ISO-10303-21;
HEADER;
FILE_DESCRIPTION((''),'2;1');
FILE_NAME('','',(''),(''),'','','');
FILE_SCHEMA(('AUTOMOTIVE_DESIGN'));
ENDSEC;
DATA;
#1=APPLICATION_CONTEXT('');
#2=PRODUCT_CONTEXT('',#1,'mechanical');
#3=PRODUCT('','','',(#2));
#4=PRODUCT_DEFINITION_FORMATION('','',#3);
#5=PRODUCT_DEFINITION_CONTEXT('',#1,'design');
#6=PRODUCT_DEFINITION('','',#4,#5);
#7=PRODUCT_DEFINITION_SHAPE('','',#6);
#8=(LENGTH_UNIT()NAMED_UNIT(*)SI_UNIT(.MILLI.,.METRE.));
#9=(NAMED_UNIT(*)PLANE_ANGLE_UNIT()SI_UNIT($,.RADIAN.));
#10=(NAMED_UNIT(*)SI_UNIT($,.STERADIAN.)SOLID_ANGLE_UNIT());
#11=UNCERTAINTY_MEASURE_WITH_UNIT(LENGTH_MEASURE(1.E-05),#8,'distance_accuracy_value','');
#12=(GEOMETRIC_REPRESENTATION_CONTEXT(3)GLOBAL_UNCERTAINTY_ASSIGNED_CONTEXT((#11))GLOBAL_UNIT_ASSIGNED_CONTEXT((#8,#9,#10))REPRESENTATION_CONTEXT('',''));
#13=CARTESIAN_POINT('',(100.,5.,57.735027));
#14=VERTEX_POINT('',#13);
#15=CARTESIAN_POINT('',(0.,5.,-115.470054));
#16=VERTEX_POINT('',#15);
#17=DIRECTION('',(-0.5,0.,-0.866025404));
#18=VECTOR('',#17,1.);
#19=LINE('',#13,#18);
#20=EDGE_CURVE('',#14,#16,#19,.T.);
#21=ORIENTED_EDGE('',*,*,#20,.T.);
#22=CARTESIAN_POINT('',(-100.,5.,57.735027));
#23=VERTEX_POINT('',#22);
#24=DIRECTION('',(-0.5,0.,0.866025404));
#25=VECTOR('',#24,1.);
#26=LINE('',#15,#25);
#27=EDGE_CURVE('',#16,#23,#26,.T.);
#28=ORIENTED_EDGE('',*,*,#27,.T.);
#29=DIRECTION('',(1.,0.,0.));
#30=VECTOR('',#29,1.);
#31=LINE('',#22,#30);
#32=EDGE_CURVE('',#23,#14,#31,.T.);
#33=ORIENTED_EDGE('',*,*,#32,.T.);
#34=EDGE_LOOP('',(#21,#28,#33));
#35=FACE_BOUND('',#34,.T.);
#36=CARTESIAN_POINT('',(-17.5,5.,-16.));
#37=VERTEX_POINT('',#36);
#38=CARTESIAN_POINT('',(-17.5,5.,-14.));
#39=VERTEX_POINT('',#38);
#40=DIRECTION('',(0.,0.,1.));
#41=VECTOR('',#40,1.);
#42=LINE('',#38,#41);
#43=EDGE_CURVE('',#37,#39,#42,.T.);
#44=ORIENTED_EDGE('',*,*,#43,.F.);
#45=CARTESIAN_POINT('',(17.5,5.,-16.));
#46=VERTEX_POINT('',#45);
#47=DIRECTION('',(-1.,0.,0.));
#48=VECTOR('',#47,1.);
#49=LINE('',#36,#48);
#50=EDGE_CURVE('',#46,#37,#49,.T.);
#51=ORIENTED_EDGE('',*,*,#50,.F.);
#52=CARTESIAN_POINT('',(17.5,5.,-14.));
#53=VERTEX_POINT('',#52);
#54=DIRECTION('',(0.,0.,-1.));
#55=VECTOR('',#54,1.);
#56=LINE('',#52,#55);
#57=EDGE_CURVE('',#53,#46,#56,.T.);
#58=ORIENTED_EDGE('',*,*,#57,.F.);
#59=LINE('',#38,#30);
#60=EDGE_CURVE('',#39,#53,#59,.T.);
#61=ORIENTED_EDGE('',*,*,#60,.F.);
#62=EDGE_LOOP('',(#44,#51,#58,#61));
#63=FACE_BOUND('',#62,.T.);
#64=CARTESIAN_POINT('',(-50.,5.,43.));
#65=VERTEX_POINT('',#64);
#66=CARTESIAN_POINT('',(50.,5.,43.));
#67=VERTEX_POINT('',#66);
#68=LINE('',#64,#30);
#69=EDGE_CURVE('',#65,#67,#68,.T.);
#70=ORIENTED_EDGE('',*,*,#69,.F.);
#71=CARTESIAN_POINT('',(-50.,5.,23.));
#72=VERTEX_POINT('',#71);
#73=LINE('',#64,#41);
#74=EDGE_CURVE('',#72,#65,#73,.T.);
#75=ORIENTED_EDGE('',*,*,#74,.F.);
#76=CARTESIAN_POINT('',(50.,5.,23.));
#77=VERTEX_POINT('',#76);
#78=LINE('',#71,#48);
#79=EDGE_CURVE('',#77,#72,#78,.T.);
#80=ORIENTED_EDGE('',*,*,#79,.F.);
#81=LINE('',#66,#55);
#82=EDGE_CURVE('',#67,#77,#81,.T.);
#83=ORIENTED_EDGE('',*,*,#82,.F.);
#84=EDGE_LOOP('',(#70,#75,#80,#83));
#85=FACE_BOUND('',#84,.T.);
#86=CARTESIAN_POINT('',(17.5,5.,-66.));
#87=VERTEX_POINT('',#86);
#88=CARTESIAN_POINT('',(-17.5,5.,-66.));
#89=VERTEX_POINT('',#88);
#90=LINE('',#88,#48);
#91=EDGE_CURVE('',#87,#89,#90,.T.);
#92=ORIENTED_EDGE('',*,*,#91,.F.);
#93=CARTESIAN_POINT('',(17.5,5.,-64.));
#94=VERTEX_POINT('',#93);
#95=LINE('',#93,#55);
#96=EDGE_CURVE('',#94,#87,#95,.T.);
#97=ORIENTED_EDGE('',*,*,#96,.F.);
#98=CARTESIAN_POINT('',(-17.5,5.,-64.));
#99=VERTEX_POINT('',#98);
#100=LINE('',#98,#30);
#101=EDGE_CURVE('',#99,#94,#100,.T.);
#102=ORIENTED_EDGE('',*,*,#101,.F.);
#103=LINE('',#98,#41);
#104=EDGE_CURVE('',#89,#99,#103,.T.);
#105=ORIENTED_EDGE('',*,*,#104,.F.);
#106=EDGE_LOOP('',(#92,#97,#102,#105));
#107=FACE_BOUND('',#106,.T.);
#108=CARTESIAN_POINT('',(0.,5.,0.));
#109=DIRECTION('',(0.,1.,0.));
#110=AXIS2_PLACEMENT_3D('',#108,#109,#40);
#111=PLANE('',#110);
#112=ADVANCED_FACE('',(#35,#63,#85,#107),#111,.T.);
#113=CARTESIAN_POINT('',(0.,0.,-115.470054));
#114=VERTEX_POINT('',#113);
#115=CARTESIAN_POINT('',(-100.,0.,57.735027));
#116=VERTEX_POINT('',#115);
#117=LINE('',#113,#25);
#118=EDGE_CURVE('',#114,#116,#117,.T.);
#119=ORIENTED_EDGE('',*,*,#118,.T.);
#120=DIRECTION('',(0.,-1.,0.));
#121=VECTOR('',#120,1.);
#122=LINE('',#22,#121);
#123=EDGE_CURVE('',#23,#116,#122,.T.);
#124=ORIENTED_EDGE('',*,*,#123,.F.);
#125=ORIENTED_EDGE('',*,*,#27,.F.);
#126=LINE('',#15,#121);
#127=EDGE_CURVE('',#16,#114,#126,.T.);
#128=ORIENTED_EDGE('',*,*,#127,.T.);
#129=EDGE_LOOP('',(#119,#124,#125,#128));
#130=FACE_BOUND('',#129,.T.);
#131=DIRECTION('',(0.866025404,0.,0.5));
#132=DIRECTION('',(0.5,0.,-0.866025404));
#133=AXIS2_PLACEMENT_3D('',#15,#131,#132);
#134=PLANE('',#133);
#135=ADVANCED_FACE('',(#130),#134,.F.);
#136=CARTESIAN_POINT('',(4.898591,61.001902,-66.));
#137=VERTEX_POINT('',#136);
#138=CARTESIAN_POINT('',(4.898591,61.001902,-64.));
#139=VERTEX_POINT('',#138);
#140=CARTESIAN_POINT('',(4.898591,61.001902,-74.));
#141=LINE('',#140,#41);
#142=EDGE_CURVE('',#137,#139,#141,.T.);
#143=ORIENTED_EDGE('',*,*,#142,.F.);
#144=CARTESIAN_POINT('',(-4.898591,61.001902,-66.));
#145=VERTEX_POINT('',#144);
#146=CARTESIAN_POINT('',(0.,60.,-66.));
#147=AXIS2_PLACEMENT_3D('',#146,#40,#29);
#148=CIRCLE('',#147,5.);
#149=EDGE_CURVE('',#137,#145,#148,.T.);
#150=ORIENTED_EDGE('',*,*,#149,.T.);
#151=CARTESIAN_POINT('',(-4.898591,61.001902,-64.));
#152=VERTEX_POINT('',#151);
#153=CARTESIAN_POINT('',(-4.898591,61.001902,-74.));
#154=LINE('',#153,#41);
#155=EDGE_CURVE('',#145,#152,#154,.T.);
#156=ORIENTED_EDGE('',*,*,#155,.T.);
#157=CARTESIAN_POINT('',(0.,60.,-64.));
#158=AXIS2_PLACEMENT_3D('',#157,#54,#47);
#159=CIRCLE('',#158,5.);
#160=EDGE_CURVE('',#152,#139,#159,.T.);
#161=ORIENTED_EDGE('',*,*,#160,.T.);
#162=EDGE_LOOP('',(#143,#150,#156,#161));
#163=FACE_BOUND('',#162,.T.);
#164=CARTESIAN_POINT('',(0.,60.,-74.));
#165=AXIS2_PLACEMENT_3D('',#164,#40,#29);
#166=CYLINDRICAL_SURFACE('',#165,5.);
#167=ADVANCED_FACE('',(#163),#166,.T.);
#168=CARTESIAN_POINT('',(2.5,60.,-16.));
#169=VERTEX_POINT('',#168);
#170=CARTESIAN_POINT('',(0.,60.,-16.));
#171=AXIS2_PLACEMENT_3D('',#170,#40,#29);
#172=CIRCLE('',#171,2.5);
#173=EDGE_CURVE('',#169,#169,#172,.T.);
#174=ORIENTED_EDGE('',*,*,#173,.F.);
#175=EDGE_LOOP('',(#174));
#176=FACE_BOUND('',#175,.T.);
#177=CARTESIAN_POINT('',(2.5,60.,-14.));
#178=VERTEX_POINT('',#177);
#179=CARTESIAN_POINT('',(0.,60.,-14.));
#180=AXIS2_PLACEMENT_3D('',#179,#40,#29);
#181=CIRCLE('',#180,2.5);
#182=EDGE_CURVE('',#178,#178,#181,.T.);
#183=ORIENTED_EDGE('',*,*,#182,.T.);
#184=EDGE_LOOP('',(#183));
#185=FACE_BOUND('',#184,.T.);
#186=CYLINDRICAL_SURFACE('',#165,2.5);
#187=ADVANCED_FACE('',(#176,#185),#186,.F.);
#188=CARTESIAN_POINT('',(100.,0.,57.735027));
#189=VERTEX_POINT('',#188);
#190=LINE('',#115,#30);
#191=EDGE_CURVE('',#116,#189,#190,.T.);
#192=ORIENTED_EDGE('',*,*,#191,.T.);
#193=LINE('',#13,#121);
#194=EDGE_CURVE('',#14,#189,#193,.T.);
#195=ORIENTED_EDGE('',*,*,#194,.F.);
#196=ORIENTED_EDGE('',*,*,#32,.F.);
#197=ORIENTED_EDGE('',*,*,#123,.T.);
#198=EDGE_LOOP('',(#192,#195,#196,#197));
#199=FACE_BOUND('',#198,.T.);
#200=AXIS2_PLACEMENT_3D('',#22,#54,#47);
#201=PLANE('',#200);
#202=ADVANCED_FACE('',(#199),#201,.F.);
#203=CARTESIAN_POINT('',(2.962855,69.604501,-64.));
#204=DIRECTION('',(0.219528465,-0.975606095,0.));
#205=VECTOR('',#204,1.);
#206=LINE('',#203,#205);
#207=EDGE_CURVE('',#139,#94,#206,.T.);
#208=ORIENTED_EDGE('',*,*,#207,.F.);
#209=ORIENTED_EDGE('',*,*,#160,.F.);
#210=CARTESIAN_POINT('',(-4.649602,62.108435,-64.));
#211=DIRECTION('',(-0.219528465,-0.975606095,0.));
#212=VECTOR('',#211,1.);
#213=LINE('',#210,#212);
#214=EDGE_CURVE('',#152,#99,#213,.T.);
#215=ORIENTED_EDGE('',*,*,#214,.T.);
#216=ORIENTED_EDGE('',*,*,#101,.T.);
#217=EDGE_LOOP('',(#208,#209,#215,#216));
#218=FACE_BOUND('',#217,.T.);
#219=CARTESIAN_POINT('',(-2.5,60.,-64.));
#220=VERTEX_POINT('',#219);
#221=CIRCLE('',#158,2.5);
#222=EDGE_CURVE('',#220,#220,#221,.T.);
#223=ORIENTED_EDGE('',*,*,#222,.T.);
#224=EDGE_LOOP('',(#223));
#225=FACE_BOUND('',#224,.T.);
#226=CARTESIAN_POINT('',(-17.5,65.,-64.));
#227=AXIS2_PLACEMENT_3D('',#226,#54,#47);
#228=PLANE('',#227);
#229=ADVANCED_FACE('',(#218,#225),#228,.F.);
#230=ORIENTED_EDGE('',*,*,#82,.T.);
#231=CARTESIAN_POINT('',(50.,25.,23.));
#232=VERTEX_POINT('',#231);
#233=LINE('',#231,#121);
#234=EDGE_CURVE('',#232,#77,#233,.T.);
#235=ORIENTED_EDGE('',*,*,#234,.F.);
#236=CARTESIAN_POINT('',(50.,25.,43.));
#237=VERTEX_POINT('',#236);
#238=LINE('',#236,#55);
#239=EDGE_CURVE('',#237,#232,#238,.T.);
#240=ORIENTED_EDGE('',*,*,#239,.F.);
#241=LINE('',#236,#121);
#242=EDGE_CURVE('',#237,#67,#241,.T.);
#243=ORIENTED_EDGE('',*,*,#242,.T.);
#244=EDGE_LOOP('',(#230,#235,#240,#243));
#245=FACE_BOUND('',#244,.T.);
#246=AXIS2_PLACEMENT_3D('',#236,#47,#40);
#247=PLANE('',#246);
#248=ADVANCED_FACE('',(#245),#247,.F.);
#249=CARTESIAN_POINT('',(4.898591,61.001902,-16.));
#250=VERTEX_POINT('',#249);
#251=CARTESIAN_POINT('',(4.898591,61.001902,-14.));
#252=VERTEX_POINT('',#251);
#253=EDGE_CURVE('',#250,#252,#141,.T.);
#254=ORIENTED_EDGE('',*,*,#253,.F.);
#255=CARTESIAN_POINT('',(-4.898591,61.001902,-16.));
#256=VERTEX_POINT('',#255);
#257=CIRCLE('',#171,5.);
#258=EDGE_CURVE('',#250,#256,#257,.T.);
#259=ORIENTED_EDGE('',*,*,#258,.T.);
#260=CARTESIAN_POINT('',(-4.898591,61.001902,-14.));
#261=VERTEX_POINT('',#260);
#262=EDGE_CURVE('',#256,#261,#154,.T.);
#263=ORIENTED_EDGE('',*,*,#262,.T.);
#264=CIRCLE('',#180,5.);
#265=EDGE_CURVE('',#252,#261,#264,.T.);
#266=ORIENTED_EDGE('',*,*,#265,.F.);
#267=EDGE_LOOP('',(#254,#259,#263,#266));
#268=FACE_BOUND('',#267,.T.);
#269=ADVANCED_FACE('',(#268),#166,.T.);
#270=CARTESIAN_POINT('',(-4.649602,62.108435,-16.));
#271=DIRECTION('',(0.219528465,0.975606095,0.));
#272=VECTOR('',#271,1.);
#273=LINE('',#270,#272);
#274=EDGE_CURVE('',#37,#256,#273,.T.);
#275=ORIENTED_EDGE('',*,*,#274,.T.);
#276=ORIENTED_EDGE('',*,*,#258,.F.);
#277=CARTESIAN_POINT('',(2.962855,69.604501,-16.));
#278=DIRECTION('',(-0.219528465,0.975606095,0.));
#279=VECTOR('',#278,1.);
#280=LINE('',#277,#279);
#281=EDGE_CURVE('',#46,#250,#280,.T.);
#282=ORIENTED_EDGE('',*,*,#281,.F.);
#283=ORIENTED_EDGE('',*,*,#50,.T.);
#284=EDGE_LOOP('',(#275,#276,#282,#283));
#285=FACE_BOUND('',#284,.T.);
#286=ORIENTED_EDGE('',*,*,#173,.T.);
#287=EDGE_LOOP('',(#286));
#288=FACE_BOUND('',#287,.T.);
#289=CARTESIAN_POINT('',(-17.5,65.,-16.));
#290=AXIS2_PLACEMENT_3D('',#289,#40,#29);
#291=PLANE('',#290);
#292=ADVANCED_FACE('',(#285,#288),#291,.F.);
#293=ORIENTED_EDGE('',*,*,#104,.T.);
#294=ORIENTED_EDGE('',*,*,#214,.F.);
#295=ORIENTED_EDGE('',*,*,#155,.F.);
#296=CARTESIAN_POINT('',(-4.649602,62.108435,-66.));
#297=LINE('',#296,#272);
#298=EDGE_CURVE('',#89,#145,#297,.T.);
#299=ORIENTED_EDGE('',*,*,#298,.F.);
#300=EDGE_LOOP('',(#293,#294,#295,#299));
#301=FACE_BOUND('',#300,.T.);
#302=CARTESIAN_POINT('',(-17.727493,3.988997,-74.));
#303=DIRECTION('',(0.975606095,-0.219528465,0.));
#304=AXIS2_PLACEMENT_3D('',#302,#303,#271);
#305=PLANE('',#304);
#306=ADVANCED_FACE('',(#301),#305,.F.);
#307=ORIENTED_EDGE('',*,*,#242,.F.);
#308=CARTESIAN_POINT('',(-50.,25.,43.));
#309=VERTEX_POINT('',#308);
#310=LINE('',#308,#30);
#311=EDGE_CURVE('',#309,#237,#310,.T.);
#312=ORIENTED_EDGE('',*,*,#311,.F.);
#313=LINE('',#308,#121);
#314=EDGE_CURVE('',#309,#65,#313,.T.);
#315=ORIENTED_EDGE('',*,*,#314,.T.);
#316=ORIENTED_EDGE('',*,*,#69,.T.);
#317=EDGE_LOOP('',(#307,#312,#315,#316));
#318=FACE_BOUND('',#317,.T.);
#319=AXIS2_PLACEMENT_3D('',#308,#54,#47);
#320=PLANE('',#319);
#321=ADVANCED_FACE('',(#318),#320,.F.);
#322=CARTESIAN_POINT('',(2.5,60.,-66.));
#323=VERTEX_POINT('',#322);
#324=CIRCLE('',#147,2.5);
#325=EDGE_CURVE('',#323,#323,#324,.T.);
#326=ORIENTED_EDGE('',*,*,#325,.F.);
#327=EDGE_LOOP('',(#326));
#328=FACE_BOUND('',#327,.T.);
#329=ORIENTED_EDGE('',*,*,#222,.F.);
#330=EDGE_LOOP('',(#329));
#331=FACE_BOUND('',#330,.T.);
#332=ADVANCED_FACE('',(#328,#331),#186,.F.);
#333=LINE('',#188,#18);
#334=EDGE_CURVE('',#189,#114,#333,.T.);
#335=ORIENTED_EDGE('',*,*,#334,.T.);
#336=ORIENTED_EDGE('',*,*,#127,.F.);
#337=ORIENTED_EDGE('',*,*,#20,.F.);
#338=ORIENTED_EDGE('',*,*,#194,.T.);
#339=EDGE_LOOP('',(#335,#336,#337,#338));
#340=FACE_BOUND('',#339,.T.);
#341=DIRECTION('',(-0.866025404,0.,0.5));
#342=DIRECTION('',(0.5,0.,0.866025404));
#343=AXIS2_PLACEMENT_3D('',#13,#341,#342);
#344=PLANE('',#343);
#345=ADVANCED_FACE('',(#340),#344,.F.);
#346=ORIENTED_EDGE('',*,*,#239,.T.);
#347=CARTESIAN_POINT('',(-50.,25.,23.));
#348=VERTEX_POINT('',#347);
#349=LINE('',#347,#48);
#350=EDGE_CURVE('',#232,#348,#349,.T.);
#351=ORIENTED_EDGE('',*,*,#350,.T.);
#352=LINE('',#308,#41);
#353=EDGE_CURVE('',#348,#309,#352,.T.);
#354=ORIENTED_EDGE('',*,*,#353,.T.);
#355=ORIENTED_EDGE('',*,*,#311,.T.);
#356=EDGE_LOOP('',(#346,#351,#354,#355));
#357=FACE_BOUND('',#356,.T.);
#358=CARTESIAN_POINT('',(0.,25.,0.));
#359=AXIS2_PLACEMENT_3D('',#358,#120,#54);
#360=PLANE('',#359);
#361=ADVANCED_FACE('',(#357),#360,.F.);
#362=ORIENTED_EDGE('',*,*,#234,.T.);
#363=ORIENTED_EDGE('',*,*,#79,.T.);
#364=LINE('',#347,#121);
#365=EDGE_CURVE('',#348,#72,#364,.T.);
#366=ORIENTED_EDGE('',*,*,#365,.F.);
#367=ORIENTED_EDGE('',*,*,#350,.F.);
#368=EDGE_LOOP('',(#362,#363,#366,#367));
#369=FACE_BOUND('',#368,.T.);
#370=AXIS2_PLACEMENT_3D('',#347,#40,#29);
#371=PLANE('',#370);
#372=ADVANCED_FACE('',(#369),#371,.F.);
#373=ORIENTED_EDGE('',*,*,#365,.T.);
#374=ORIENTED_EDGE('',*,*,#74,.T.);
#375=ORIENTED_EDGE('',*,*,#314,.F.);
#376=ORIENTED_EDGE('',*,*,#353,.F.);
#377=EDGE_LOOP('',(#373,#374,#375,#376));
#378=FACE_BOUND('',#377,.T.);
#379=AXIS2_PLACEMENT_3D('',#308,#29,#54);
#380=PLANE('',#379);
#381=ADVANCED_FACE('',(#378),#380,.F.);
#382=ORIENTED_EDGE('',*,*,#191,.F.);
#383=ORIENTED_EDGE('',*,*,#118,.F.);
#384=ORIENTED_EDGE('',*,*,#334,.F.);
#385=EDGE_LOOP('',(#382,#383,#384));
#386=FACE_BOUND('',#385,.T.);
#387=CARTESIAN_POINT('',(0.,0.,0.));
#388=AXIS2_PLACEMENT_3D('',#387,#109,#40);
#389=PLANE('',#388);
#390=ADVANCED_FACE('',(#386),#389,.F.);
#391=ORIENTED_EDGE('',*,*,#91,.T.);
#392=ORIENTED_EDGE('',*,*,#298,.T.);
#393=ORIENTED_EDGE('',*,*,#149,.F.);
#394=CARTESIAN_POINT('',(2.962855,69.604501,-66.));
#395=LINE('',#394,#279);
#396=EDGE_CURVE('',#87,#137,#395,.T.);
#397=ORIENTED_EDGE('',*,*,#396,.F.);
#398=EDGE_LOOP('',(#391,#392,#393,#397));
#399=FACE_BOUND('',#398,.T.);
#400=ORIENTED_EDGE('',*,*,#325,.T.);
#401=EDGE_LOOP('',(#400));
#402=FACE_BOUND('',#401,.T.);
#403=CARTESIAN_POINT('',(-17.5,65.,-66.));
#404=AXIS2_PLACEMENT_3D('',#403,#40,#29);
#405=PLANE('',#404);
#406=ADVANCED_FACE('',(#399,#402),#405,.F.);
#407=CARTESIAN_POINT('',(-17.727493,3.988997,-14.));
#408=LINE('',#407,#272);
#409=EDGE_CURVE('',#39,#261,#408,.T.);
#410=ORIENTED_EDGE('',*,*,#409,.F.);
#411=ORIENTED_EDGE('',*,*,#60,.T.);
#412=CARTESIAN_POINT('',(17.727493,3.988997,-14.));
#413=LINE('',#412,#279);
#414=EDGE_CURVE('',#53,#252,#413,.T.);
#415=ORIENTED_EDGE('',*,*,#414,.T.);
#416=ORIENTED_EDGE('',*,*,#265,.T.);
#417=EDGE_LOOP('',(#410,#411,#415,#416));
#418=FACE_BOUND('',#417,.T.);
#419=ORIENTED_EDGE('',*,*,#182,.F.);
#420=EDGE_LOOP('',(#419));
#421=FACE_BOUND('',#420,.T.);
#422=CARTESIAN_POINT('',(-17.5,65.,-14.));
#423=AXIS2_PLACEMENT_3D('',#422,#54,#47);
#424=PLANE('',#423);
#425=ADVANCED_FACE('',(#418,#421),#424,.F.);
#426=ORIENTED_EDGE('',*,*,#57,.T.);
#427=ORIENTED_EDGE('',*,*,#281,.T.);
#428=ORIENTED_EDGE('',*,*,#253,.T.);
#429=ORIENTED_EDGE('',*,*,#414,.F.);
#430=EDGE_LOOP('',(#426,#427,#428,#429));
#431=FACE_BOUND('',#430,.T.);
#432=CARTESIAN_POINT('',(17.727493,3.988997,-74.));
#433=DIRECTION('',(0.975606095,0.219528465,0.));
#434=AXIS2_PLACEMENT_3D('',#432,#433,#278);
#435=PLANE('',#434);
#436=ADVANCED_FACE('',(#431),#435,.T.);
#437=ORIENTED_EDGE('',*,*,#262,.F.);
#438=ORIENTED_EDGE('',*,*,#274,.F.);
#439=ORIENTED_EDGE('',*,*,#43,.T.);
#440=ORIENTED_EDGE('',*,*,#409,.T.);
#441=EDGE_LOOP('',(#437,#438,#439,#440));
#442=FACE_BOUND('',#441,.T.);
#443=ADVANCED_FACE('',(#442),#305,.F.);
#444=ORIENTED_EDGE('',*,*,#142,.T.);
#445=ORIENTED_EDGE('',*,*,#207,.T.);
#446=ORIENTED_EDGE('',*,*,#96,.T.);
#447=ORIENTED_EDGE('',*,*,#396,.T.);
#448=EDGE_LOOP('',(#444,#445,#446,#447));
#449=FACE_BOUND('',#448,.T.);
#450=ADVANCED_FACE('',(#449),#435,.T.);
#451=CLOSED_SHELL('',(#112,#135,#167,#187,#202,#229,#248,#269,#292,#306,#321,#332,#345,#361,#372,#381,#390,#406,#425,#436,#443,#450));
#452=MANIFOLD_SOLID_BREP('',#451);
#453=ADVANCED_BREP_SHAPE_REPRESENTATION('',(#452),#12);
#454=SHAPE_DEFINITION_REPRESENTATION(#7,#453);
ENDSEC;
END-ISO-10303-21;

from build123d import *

# Parameters (mm, degrees)
BOSS_EXTRUDE1_DEPTH = 5
SKETCH2_W           = 35
SKETCH2_H           = 2
BOSS_EXTRUDE2_DEPTH = 60
CUT_EXTRUDE1_DEPTH  = 60
SKETCH4_R           = 2.5
CUT_EXTRUDE2_DEPTH  = 60
SKETCH5_W           = 100
SKETCH5_H           = 20
BOSS_EXTRUDE3_DEPTH = 20


with BuildPart() as part:
    # Sketch1 → Boss-Extrude1 (new body)
    with BuildSketch(Plane(origin=(0, 0, 0), x_dir=(1, 0, 0), z_dir=(0, 1, 0))):
        Polygon((0, 115.470053838), (-100, -57.735026919), (100, -57.735026919), align=None)
    extrude(amount=BOSS_EXTRUDE1_DEPTH)

    # Sketch2 → Boss-Extrude2 (add)
    with BuildSketch(Plane(origin=(0, 5, 0), x_dir=(1, 0, 0), z_dir=(0, 1, 0))):
        with Locations((0, 65)):
            Rectangle(SKETCH2_W, SKETCH2_H)
        with Locations((0, 15)):
            Rectangle(SKETCH2_W, SKETCH2_H)
    extrude(amount=BOSS_EXTRUDE2_DEPTH)

    # Sketch3 → Cut-Extrude1 (cut)
    with BuildSketch(Plane.XY.offset(-14)):
        with BuildLine():
            Line((-17.5, 65), (-17.5, 5))
            Line((-17.5, 5), (-4.898590768, 61.001902433))
            ThreePointArc((-4.898590768, 61.001902433), (-4.878030477, 61.097642323), (-4.855599196, 61.192961208))
            ThreePointArc((-4.855599196, 61.192961208), (-3.085060288, 63.934768484), (0, 65))
            Line((0, 65), (-17.5, 65))
        make_face()
        with BuildLine():
            Line((17.5, 65), (0, 65))
            ThreePointArc((0, 65), (3.085060288, 63.934768484), (4.855599196, 61.192961208))
            ThreePointArc((4.855599196, 61.192961208), (4.878030477, 61.097642323), (4.898590768, 61.001902433))
            Line((4.898590768, 61.001902433), (17.5, 5))
            Line((17.5, 5), (17.5, 65))
        make_face()
    extrude(amount=-CUT_EXTRUDE1_DEPTH, mode=Mode.SUBTRACT)

    # Sketch4 → Cut-Extrude2 (cut)
    with BuildSketch(Plane.XY.offset(-14)):
        with Locations((0, 60)):
            Circle(SKETCH4_R)
    extrude(amount=-CUT_EXTRUDE2_DEPTH, mode=Mode.SUBTRACT)

    # Sketch5 → Boss-Extrude3 (add)
    with BuildSketch(Plane(origin=(0, 5, 0), x_dir=(1, 0, 0), z_dir=(0, 1, 0))):
        with Locations((0, -33)):
            Rectangle(SKETCH5_W, SKETCH5_H)
    extrude(amount=BOSS_EXTRUDE3_DEPTH)


solid = part.part
